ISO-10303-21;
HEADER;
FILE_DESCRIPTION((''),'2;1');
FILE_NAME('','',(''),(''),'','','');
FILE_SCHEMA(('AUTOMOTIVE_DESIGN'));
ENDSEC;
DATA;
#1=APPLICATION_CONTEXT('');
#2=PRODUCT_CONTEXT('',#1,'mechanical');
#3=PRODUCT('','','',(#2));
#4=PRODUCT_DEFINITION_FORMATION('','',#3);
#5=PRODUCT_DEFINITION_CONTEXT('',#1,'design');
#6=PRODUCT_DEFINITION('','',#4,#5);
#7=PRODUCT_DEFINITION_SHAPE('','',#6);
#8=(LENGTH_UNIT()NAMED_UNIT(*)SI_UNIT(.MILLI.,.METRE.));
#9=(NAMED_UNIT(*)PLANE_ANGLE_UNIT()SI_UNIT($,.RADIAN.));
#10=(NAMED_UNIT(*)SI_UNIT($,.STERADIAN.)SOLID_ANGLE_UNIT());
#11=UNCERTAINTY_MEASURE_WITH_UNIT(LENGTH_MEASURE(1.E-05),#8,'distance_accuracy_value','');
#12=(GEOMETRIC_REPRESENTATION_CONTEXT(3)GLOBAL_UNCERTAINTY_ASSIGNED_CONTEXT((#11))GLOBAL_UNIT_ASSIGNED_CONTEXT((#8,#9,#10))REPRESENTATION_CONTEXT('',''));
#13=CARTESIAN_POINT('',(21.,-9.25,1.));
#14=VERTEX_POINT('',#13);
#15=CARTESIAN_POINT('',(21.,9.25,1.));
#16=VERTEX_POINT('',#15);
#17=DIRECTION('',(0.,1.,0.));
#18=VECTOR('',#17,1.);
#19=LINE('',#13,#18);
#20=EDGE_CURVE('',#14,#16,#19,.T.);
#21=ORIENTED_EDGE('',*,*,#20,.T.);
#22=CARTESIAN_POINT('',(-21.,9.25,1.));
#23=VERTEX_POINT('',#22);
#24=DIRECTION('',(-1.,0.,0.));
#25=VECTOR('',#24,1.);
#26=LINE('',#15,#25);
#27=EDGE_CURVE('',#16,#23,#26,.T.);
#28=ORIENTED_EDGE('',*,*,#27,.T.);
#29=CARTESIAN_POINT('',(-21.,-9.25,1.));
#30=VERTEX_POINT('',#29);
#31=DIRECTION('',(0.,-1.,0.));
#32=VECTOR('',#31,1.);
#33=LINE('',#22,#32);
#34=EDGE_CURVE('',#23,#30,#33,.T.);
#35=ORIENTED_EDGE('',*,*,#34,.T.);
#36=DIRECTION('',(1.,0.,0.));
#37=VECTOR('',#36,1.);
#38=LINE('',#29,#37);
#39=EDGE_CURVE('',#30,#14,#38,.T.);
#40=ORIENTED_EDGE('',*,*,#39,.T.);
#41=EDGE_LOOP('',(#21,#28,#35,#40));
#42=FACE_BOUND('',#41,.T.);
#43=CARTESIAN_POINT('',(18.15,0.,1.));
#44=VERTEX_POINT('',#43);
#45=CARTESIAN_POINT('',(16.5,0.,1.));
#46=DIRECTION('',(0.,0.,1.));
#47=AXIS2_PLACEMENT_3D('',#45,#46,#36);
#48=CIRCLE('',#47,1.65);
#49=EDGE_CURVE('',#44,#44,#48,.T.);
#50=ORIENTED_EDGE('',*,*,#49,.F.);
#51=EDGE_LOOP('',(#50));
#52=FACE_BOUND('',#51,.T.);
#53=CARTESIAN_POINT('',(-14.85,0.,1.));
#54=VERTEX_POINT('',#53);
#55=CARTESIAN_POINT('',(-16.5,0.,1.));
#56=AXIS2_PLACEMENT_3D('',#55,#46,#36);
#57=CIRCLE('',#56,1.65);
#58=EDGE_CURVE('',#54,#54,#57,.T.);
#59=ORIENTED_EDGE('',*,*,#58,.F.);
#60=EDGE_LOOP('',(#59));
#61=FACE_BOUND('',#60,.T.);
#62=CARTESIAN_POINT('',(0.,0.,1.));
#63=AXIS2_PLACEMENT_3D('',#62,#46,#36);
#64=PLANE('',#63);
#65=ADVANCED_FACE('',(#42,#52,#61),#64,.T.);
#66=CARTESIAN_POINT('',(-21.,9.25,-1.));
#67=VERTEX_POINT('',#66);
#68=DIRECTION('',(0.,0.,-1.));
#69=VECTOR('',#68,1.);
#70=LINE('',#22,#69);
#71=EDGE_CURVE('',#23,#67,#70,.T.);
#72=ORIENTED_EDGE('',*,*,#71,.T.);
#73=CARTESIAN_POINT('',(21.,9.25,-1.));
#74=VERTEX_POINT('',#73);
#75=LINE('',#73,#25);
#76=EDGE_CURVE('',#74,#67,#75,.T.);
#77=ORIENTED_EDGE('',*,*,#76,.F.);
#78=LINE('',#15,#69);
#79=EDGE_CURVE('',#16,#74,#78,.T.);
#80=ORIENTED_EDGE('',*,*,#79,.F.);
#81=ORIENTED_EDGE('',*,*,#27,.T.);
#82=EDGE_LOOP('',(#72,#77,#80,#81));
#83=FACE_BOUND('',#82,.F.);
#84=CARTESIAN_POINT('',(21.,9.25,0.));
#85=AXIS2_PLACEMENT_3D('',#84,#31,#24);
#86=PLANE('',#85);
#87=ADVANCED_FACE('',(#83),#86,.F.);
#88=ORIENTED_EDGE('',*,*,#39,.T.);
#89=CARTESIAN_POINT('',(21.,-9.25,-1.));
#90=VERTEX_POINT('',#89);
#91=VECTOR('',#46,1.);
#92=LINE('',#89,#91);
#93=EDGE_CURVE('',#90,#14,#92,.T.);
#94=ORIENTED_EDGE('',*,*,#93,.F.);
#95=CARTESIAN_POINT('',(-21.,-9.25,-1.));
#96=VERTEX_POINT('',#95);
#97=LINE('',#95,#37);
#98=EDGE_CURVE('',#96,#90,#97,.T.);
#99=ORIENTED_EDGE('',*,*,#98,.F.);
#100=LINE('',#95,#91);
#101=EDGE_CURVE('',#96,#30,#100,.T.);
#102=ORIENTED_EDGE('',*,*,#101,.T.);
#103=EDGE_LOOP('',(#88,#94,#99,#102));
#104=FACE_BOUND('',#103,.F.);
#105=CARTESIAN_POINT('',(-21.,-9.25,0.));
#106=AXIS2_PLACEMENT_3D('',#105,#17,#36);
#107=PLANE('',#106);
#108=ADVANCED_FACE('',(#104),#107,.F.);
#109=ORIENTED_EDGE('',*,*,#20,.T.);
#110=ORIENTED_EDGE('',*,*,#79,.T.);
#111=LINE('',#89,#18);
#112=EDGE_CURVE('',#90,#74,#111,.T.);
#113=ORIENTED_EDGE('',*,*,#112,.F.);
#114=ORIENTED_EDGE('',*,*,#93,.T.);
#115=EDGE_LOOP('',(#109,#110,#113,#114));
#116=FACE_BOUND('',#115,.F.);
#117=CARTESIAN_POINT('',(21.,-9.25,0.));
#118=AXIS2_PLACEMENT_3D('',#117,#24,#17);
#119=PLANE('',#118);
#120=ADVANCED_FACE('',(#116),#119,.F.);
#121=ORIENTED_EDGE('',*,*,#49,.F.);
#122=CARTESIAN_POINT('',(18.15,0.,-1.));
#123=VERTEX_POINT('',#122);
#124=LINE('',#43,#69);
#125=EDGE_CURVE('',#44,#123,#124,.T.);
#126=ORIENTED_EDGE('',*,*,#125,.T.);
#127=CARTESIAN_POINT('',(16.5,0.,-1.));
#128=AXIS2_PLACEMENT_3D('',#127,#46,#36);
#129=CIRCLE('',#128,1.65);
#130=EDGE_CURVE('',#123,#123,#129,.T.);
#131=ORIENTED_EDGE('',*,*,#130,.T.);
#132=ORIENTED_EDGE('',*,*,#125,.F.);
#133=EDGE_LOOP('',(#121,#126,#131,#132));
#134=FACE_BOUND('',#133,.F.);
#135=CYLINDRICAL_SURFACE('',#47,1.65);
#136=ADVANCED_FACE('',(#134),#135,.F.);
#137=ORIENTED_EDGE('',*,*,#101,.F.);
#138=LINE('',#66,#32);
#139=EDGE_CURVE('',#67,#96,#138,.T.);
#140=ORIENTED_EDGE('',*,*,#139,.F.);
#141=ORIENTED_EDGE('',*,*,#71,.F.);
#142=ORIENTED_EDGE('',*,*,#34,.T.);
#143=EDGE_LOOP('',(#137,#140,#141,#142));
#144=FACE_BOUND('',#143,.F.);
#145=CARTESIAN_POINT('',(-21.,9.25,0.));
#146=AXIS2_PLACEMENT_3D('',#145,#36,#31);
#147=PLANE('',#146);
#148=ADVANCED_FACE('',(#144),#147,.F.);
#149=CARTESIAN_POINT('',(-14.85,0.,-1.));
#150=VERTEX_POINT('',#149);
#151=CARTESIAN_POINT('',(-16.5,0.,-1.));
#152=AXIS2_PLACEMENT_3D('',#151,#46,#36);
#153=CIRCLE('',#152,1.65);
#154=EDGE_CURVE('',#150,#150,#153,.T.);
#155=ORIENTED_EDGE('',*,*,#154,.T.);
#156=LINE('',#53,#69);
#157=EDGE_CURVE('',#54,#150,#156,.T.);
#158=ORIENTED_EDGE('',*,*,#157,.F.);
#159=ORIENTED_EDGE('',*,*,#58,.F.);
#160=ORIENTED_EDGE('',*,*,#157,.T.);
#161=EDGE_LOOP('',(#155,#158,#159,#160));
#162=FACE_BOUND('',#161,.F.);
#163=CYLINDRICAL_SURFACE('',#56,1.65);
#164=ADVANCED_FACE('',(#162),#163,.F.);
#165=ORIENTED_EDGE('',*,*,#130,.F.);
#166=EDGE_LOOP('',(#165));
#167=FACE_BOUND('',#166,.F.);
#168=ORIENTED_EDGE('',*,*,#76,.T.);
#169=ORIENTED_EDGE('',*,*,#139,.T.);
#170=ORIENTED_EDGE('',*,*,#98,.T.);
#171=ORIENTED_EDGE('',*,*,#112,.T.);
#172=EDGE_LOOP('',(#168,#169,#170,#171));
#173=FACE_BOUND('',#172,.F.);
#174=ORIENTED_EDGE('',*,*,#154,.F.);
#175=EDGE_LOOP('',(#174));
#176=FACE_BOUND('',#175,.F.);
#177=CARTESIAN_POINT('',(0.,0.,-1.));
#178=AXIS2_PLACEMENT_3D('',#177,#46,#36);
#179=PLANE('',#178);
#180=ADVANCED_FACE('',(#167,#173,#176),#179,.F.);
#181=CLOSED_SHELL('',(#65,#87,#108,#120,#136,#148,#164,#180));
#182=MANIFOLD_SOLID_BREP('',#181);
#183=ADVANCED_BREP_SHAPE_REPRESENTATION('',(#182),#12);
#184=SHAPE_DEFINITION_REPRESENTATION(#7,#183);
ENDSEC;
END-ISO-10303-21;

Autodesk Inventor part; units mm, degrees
sketch "Эскиз1" plane through (0, 0, 0) normal (0, 0, 1) x (1, 0, 0)
  line L0 (-21, -9.25) -> (21, -9.25)
  line L1 (21, -9.25) -> (21, 9.25)
  line L2 (21, 9.25) -> (-21, 9.25)
  line L3 (-21, 9.25) -> (-21, -9.25)
  line L4 (-21, -9.25) -> (21, 9.25) construction
  line L5 (21, -9.25) -> (-21, 9.25) construction
  point P0 (0, 0)
  dimension "d0" = 42
  dimension "d1" = 18.5
extrude "Выдавливание1" add sketch "Эскиз1" along normal mid plane 2
sketch "Эскиз2" plane through (0, 0, 1) normal (0, 0, 1) x (1, 0, 0)
  circle A0 centre (-16.5, 0) radius 1.65 projected
  circle A1 centre (16.5, 0) radius 1.65 projected
  point P0 (0, 0)
extrude "Выдавливание2" cut sketch "Эскиз2" against normal up to next
properties part number "Фиксатор"
